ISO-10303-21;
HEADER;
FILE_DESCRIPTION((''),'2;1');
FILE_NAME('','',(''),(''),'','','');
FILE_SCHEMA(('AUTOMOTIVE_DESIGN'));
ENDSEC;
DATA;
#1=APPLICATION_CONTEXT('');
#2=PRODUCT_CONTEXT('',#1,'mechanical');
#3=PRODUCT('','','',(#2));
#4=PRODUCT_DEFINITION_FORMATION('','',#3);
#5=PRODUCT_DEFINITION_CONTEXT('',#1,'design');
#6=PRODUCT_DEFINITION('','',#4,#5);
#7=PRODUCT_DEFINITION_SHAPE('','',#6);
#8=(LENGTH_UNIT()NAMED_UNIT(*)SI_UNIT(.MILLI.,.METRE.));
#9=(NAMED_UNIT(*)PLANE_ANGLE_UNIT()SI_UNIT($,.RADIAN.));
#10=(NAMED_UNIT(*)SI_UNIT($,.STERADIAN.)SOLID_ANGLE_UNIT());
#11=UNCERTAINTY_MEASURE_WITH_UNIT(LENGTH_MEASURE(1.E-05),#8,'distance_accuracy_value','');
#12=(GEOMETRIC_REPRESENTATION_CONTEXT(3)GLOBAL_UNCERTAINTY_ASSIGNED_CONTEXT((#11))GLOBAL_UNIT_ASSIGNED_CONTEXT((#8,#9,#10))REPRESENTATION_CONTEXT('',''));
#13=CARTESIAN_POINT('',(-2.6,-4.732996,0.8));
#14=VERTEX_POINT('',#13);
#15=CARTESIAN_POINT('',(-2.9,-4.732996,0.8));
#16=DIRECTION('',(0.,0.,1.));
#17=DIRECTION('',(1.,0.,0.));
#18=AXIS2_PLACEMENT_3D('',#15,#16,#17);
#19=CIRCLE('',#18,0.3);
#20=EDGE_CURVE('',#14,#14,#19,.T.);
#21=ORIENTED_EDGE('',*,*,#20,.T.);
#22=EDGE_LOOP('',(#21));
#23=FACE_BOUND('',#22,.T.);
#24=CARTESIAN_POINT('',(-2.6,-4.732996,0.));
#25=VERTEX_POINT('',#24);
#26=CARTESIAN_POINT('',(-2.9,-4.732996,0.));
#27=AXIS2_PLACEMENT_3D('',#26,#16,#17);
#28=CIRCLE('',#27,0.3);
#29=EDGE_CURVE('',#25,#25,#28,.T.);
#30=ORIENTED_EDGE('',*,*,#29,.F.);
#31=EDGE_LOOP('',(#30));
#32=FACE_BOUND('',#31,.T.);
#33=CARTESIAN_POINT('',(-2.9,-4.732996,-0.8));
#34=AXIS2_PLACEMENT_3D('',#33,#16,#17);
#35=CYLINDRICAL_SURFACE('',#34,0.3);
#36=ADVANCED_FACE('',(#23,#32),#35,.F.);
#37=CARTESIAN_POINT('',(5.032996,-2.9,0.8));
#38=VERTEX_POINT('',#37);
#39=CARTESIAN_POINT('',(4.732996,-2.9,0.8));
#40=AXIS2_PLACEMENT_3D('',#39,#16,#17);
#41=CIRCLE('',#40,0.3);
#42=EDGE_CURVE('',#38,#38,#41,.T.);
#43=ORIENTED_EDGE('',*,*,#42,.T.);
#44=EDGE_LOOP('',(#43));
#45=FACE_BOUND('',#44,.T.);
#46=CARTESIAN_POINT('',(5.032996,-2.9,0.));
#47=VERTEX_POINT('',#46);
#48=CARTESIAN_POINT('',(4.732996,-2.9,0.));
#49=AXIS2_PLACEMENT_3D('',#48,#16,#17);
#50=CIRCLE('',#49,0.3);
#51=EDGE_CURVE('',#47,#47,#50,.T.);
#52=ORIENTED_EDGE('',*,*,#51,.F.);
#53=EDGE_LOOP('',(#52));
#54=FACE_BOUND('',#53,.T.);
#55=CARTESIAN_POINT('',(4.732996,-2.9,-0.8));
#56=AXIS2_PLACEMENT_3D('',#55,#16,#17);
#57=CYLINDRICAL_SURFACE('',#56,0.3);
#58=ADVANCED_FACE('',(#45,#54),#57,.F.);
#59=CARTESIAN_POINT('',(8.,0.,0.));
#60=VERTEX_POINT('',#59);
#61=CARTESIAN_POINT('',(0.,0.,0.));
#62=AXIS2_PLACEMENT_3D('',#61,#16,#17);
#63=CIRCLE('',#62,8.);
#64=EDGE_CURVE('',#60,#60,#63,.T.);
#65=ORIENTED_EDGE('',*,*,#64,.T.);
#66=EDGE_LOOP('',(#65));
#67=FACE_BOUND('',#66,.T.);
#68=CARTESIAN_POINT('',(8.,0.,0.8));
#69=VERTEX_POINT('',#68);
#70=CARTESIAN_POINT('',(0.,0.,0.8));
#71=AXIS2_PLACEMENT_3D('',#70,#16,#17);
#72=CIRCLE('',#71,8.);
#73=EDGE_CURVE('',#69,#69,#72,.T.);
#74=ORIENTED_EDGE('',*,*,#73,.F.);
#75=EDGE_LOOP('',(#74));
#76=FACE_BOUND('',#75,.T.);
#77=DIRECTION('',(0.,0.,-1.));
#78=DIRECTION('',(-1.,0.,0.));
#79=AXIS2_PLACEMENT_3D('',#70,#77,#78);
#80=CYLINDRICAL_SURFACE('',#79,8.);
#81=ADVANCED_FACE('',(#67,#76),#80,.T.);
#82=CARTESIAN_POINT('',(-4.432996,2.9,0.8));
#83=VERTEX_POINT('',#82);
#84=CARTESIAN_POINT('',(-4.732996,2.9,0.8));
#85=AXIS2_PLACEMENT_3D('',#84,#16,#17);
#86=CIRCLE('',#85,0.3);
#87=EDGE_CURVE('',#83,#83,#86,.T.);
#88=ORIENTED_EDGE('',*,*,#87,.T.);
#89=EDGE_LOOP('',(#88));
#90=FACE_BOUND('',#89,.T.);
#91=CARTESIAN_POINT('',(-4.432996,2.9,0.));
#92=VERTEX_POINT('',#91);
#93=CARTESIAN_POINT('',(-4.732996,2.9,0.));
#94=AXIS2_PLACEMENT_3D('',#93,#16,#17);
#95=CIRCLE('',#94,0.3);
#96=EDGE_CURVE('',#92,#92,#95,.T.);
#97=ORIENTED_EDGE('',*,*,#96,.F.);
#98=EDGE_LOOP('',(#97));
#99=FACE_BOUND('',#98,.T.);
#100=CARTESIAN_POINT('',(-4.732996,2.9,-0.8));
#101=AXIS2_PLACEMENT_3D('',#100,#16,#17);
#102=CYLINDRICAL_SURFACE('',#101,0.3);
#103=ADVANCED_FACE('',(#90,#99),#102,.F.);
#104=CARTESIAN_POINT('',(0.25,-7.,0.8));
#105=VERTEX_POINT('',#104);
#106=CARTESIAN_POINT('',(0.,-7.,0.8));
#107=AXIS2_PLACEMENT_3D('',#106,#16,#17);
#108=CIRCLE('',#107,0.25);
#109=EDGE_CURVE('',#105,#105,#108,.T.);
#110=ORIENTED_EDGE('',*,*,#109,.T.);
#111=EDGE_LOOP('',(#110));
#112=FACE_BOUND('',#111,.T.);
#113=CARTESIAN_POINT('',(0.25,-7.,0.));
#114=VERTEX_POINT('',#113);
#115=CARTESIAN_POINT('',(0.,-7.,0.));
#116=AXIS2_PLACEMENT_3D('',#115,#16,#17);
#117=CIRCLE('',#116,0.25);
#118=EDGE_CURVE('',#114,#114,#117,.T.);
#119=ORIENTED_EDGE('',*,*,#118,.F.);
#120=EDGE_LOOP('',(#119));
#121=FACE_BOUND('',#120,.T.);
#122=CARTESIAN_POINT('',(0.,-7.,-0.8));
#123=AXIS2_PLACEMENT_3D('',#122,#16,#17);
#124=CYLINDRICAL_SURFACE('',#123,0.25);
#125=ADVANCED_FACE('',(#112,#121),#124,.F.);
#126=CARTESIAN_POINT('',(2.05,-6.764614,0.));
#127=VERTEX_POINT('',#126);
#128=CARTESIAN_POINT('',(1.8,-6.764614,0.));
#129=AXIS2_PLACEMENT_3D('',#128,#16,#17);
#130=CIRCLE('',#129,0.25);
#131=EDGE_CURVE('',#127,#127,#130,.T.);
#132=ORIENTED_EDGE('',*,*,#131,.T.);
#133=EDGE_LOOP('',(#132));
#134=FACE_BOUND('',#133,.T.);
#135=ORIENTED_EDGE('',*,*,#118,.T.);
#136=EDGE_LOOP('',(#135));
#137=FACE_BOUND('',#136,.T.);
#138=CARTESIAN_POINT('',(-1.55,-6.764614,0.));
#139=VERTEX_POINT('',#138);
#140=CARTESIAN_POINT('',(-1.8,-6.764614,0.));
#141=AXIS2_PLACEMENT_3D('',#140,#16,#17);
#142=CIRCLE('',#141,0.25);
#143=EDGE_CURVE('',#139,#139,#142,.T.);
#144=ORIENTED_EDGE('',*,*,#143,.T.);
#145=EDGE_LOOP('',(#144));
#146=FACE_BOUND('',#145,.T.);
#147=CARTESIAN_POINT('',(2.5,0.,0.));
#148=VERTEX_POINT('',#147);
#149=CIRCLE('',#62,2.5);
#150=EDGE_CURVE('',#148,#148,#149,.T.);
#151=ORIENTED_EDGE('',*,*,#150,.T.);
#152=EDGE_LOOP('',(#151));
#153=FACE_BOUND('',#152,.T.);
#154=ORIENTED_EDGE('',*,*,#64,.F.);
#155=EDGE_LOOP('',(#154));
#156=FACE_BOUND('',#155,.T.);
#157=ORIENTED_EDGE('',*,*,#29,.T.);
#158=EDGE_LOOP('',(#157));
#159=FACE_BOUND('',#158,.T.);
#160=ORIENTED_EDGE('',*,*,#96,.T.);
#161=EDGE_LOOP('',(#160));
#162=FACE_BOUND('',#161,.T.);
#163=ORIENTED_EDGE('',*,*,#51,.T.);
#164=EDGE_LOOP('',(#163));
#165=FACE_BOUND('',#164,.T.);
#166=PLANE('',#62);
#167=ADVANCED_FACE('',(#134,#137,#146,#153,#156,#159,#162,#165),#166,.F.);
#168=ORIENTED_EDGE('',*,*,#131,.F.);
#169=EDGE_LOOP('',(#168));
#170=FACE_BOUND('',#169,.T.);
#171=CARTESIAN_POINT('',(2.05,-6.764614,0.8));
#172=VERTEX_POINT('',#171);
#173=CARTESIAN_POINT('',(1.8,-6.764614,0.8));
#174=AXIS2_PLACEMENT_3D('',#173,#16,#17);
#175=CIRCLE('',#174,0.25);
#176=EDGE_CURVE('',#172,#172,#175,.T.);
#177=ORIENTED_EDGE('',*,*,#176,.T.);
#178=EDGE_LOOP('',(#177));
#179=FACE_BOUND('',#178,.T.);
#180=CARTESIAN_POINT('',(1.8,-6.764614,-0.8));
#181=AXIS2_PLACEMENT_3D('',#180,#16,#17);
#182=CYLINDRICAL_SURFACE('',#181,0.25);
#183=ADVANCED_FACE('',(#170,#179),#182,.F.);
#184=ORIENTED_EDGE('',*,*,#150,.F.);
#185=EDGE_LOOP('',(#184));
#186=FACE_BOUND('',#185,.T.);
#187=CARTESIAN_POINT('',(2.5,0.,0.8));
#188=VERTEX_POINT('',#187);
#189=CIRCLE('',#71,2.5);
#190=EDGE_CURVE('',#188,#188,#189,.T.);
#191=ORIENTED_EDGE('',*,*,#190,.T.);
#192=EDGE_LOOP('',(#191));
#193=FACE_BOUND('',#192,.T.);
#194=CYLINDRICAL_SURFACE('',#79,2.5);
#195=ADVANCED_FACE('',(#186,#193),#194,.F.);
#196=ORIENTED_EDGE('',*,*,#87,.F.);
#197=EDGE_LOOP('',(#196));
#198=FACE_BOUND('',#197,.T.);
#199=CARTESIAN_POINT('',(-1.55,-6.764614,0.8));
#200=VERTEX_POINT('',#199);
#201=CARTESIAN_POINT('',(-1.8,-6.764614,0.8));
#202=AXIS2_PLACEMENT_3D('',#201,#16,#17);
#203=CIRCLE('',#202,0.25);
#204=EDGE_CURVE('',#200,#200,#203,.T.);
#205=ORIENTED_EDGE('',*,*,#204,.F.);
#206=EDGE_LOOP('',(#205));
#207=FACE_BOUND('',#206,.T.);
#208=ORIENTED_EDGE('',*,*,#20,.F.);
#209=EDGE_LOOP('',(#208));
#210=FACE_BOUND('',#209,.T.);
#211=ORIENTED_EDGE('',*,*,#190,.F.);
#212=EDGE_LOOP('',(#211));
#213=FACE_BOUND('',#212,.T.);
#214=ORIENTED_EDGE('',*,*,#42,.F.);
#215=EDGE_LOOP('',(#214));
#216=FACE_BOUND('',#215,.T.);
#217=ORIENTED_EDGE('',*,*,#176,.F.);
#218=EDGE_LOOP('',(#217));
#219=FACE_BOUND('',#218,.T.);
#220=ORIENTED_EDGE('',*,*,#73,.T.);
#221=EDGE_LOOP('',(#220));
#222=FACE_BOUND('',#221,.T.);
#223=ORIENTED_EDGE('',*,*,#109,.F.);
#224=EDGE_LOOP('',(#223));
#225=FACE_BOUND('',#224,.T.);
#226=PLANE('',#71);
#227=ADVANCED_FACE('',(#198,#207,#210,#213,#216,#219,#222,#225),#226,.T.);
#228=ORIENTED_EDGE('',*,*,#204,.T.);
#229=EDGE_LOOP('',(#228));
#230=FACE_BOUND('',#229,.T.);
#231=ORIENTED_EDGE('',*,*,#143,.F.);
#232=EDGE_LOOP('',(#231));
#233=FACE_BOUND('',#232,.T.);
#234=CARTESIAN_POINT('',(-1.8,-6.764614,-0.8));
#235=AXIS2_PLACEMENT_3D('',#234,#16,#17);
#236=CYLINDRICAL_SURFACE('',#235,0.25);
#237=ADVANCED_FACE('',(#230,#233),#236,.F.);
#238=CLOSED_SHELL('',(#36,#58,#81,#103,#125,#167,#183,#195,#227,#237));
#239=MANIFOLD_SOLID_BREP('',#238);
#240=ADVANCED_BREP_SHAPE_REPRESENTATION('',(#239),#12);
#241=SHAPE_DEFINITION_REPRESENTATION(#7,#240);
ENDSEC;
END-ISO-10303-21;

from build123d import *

# Parameters (mm, degrees)
CROQUIS1_R              = 8
CROQUIS1_R_2            = 2.5
SALIENTE_EXTRUIR1_DEPTH = 0.8
CROQUIS2_R              = 0.25
CROQUIS2_R_2            = 0.3
CORTAR_EXTRUIR1_DEPTH   = 1.6


with BuildPart() as part:
    # Croquis1 → Saliente-Extruir1 (new body)
    with BuildSketch(Plane.XY):
        Circle(CROQUIS1_R)
        Circle(CROQUIS1_R_2, mode=Mode.SUBTRACT)
    extrude(amount=SALIENTE_EXTRUIR1_DEPTH)

    # Croquis2 → Cortar-Extruir1 (cut)
    with BuildSketch(Plane.XY.offset(0.8)):
        with Locations((0, -7)):
            Circle(CROQUIS2_R)
        with Locations((-1.8, -6.76461381)):
            Circle(CROQUIS2_R)
        with Locations((1.8, -6.76461381)):
            Circle(CROQUIS2_R)
        with Locations((4.73299588, -2.9)):
            Circle(CROQUIS2_R_2)
        with Locations((-2.9, -4.73299588)):
            Circle(CROQUIS2_R_2)
        with Locations((-4.73299588, 2.9)):
            Circle(CROQUIS2_R_2)
    extrude(amount=-CORTAR_EXTRUIR1_DEPTH, mode=Mode.SUBTRACT)


solid = part.part
